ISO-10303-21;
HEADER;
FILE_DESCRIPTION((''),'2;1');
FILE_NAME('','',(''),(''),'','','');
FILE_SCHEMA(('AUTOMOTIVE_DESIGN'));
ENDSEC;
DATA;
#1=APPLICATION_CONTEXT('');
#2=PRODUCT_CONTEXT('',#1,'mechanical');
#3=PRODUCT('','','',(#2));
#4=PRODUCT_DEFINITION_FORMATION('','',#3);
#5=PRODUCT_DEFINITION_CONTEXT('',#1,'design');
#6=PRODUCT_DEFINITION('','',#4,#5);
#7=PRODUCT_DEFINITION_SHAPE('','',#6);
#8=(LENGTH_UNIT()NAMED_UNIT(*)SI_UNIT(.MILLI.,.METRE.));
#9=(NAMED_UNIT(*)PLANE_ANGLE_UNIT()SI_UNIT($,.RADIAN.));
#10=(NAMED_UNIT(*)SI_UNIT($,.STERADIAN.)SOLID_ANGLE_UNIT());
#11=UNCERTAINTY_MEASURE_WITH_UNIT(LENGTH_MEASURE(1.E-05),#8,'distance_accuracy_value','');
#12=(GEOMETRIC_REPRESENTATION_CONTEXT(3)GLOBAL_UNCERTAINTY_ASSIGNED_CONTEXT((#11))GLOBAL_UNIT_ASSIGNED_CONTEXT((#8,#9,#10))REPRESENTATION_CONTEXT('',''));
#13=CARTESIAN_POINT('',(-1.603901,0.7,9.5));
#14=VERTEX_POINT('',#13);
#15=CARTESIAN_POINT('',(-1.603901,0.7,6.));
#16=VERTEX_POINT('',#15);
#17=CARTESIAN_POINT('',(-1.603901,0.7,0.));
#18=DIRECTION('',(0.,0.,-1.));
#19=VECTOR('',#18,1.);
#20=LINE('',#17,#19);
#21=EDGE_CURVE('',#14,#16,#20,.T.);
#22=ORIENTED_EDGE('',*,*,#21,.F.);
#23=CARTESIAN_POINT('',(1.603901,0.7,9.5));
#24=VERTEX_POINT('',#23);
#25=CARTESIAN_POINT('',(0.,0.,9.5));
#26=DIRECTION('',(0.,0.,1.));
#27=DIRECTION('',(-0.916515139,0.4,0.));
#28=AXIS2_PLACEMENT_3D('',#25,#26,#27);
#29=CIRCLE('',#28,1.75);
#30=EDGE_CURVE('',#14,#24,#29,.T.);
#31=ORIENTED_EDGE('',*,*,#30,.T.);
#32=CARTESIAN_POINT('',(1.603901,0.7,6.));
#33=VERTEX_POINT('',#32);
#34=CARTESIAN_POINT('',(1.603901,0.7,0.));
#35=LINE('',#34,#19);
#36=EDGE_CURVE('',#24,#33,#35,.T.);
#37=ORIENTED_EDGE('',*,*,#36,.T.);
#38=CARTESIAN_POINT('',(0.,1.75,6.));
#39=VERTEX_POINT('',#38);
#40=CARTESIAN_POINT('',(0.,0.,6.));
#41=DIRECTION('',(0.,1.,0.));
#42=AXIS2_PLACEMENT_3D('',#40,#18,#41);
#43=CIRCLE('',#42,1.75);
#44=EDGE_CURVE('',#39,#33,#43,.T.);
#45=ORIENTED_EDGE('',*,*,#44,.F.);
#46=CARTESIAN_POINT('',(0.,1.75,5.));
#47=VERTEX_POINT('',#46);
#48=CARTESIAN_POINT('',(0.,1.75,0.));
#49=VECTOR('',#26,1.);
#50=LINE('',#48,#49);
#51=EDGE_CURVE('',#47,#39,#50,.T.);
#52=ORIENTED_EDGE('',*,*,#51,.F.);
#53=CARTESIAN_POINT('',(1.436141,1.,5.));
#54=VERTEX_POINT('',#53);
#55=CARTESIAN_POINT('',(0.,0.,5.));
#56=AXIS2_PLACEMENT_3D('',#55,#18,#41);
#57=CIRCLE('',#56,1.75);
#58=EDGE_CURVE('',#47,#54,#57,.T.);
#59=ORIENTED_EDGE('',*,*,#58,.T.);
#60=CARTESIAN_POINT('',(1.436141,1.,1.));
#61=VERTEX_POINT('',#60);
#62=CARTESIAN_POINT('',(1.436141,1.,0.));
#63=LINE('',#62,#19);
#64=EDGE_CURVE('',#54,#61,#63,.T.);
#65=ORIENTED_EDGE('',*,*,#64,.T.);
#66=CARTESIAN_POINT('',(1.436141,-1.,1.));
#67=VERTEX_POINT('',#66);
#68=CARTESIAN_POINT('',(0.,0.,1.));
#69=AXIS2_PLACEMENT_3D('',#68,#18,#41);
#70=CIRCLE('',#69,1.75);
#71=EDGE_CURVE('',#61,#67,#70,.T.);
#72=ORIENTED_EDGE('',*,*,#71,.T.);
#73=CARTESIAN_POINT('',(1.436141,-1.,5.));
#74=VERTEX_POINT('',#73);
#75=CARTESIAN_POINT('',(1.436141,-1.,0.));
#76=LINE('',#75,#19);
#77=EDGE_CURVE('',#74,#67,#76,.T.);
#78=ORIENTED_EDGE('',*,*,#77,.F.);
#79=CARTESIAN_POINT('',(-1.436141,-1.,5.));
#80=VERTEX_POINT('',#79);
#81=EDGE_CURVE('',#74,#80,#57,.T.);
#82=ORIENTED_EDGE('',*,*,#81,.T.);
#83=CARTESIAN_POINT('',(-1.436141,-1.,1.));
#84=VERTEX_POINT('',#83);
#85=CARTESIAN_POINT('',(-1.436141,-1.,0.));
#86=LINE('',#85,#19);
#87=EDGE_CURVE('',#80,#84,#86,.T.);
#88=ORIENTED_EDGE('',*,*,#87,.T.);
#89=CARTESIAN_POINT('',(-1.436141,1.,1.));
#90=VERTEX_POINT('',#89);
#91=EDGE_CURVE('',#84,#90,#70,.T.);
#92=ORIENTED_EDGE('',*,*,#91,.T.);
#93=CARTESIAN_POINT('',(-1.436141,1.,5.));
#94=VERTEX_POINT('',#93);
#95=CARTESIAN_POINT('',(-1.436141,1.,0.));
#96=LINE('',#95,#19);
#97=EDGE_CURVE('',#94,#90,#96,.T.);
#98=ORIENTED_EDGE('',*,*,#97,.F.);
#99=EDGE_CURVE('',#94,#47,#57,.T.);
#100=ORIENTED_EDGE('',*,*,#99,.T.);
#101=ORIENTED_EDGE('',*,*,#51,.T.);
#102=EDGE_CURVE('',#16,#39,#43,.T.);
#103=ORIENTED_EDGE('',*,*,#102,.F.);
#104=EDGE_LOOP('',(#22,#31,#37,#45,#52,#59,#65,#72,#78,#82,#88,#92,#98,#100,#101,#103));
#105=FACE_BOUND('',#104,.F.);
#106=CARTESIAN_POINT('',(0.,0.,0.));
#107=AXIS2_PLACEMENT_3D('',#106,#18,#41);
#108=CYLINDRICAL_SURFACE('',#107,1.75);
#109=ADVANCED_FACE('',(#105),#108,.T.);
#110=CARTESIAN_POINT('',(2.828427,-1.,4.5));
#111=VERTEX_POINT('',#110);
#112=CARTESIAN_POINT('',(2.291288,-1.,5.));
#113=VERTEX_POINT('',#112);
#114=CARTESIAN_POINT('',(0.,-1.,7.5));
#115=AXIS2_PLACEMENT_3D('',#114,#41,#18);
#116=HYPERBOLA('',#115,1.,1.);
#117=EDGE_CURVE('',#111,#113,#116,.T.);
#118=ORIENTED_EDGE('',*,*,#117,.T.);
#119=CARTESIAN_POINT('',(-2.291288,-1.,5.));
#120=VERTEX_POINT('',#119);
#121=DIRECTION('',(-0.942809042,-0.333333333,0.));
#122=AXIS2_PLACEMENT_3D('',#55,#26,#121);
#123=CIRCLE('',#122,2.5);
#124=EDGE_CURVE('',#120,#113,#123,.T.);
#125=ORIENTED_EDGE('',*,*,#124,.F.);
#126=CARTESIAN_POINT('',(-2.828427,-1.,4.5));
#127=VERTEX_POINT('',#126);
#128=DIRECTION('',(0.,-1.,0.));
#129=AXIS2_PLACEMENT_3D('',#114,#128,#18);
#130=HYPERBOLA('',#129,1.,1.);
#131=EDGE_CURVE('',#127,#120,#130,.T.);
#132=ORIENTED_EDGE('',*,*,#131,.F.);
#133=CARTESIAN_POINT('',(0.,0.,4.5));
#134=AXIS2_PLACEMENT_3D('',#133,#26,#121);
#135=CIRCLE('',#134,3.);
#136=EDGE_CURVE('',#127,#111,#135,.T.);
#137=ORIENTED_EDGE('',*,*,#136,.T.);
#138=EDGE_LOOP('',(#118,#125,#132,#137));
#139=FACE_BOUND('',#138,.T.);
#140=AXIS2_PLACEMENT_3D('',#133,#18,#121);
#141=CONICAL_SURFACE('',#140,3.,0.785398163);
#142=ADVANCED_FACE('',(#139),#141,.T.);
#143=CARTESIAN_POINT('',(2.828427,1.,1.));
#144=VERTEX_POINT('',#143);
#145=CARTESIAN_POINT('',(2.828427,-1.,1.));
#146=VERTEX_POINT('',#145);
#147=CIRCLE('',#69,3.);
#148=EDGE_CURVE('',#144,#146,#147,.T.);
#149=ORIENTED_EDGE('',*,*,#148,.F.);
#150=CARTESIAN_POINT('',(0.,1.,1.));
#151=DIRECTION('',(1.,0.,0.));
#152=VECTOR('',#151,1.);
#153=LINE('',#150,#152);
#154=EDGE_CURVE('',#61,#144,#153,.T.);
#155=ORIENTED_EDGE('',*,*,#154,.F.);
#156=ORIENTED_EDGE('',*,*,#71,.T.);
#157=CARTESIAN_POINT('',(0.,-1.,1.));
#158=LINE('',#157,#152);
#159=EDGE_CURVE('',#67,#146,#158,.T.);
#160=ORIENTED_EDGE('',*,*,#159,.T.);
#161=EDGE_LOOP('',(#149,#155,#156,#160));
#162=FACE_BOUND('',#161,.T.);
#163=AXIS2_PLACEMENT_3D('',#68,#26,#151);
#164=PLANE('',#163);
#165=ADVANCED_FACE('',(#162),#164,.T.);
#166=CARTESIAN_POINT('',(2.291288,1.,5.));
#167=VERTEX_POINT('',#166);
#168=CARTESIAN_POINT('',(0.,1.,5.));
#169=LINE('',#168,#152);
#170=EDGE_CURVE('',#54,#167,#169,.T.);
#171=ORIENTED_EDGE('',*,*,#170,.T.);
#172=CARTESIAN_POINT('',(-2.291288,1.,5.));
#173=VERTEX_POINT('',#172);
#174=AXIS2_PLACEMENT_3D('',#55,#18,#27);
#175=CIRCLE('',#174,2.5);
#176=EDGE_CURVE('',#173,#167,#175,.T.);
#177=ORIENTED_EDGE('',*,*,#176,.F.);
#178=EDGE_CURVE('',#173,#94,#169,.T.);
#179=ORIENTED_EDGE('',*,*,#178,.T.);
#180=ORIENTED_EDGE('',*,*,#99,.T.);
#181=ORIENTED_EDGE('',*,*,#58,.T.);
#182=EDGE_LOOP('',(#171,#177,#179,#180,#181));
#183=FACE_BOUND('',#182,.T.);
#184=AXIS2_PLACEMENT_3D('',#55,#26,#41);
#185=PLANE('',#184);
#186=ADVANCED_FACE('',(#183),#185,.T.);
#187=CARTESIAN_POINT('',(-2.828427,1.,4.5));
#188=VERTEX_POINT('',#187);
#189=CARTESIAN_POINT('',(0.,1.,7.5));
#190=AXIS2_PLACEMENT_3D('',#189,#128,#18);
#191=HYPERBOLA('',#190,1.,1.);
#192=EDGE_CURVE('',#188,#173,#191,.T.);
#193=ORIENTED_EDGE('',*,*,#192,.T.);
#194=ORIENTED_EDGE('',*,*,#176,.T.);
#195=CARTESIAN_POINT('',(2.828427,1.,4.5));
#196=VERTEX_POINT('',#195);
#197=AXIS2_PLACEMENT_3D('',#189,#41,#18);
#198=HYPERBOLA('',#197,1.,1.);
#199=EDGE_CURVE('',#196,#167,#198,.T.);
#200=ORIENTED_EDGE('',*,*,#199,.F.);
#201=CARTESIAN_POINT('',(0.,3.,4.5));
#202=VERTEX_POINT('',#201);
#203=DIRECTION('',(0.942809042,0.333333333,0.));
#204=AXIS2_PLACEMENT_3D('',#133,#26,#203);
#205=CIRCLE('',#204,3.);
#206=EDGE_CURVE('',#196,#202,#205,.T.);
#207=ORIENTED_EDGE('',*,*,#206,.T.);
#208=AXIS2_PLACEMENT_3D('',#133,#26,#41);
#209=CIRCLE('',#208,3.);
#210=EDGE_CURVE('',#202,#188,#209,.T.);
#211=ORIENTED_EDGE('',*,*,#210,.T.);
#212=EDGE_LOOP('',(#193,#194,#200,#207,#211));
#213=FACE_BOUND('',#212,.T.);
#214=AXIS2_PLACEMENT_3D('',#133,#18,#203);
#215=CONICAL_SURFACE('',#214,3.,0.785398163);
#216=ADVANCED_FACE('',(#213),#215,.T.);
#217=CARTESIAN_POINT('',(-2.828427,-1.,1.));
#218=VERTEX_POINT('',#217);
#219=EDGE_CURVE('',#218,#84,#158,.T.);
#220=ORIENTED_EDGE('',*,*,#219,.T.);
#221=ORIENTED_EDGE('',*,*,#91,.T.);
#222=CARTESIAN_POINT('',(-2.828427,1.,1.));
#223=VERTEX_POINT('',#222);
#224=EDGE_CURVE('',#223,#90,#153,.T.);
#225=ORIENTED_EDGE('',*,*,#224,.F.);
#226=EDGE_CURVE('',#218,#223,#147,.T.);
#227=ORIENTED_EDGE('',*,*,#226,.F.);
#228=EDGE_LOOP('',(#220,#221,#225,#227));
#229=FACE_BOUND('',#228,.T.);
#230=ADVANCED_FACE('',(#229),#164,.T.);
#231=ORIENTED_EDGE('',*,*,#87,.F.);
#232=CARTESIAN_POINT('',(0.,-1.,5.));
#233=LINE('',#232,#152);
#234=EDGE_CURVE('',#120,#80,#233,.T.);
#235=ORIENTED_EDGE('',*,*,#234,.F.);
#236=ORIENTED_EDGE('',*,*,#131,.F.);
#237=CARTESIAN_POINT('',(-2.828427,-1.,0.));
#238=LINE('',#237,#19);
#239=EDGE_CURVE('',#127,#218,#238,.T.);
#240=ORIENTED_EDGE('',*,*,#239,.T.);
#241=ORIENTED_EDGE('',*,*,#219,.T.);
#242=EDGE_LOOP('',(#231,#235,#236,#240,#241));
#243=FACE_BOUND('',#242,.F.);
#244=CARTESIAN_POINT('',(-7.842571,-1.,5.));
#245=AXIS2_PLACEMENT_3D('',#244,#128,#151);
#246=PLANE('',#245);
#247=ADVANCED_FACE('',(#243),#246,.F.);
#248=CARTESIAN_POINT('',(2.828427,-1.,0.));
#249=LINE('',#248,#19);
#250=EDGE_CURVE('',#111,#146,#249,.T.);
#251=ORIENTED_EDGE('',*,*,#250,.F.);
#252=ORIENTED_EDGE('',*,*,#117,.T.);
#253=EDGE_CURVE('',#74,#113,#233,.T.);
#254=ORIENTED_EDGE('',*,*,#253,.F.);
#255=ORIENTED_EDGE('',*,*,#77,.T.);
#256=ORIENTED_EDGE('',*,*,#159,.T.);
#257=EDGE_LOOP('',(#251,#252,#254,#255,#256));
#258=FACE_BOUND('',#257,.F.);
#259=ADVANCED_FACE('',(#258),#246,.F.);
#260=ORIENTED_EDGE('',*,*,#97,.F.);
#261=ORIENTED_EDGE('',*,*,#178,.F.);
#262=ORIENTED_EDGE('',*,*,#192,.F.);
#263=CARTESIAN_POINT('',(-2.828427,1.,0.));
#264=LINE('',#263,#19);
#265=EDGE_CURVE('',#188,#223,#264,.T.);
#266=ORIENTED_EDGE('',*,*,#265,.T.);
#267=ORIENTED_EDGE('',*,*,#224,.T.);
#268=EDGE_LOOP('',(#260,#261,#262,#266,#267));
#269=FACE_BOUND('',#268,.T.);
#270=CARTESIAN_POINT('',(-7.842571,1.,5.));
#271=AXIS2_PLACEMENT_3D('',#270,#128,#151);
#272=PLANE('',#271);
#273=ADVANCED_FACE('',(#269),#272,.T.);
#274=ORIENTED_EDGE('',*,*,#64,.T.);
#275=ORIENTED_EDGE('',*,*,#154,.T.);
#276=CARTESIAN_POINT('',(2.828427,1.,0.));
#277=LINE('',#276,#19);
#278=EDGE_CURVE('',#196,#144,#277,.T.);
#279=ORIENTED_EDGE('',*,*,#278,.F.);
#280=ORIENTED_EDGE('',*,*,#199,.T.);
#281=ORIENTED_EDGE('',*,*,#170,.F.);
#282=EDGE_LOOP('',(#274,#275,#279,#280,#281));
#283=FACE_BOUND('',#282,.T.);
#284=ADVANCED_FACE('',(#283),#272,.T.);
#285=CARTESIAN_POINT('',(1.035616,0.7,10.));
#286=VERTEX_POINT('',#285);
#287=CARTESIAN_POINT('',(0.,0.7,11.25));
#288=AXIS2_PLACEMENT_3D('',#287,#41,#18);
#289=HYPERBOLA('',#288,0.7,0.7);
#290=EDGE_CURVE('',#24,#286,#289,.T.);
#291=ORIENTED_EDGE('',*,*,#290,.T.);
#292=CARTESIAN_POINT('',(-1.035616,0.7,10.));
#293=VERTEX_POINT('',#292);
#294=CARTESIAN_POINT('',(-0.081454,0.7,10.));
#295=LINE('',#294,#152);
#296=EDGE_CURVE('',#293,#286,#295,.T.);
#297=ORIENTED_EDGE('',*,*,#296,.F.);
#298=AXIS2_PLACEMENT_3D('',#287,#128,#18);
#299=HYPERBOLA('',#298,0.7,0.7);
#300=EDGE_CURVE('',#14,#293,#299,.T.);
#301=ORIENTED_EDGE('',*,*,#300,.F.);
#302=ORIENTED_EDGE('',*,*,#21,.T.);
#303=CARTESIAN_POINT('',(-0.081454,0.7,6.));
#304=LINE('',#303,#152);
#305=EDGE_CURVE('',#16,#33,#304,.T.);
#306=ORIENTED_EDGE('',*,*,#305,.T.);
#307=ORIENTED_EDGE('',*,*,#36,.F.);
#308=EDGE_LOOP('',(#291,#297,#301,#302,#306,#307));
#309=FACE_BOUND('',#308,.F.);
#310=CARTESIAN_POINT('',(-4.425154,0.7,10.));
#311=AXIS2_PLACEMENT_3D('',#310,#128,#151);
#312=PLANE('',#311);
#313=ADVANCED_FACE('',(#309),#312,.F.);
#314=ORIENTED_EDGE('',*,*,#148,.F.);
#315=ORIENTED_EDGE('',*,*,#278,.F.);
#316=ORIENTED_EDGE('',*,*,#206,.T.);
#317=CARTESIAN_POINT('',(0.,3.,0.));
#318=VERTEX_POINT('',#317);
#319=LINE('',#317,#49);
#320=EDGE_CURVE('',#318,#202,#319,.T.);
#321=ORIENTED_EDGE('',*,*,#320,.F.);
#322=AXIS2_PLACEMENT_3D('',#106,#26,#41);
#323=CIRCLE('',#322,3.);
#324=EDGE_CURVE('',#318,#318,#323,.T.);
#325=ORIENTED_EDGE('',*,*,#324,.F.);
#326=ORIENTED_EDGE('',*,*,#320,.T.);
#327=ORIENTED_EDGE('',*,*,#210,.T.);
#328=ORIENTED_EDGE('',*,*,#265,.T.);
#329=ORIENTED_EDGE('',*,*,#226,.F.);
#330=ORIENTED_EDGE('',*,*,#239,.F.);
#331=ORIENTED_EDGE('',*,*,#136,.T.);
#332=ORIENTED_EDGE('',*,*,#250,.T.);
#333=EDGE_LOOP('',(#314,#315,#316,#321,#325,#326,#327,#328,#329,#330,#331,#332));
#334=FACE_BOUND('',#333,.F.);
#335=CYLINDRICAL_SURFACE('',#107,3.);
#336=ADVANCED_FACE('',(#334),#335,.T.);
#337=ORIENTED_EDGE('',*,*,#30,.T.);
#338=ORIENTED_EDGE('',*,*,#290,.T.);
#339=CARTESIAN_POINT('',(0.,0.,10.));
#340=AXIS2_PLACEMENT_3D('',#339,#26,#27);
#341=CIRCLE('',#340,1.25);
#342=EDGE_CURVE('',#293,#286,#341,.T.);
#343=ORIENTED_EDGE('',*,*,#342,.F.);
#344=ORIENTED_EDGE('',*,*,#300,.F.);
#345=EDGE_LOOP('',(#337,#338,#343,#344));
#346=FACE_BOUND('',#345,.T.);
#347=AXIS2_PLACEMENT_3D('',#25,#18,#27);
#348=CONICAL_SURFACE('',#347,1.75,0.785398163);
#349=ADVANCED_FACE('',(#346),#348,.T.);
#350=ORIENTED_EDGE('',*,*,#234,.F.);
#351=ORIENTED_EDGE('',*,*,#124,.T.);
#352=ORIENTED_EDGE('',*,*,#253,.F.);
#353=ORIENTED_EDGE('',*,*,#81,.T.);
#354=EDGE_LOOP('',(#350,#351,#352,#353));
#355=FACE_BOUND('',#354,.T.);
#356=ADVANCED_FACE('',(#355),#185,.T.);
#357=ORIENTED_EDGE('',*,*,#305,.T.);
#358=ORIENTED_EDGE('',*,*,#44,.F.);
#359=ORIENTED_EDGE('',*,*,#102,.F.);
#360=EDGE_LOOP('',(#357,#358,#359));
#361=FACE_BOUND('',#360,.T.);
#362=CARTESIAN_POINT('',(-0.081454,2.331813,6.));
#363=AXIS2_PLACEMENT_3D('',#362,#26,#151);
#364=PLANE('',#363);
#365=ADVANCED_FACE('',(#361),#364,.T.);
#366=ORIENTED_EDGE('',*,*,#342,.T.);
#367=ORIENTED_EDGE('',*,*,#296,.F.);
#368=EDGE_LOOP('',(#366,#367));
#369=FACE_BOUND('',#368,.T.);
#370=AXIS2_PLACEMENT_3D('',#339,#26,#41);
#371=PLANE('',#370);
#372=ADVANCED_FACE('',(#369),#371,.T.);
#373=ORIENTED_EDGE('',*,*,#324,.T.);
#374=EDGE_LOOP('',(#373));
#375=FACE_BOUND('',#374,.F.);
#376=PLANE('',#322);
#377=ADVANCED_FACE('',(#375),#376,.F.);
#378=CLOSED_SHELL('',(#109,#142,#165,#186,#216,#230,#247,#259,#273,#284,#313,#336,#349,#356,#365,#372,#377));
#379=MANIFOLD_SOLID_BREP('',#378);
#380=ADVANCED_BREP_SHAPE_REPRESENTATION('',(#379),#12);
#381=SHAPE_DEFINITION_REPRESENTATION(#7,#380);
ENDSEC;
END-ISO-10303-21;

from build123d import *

# Parameters (mm, degrees)
SKETCH_R        = 3
PAD_DEPTH       = 5
SKETCH001_W     = 15.685142
SKETCH001_H     = 2
POCKET_DEPTH    = 4
SKETCH002_R     = 1.75
PAD001_DEPTH    = 10
SKETCH003_W     = 8.687401
SKETCH003_H     = 3.263626
POCKET001_DEPTH = 4
CHAMFER_SIZE    = 0.5


with BuildPart() as part:
    # Sketch → Pad (new body)
    with BuildSketch(Plane(origin=(0, 0, 0), x_dir=(0, 1, 0), z_dir=(0, 0, 1))):
        Circle(SKETCH_R)
    extrude(amount=PAD_DEPTH)

    # Sketch001 → Pocket (cut)
    with BuildSketch(Plane.XY.offset(5)):
        Rectangle(SKETCH001_W, SKETCH001_H)
    extrude(amount=-POCKET_DEPTH, mode=Mode.SUBTRACT)

    # Sketch002 → Pad001 (join)
    with BuildSketch(Plane(origin=(0, 0, 0), x_dir=(0, 1, 0), z_dir=(0, 0, 1))):
        Circle(SKETCH002_R)
    extrude(amount=PAD001_DEPTH)

    # Sketch003 → Pocket001 (cut)
    with BuildSketch(Plane.XY.offset(10)):
        with Locations((-0.081454, 2.331813)):
            Rectangle(SKETCH003_W, SKETCH003_H)
    extrude(amount=-POCKET001_DEPTH, mode=Mode.SUBTRACT)

    # Chamfer
    chamfer_edges = [part.edges().sort_by_distance(p)[0] for p in [
        (0, -1.75, 10),
        (0, -3, 5),
        (-1.732051, 2.44949, 5),
        (1.732051, 2.44949, 5),
    ]]
    chamfer(chamfer_edges, length=CHAMFER_SIZE)


solid = part.part
